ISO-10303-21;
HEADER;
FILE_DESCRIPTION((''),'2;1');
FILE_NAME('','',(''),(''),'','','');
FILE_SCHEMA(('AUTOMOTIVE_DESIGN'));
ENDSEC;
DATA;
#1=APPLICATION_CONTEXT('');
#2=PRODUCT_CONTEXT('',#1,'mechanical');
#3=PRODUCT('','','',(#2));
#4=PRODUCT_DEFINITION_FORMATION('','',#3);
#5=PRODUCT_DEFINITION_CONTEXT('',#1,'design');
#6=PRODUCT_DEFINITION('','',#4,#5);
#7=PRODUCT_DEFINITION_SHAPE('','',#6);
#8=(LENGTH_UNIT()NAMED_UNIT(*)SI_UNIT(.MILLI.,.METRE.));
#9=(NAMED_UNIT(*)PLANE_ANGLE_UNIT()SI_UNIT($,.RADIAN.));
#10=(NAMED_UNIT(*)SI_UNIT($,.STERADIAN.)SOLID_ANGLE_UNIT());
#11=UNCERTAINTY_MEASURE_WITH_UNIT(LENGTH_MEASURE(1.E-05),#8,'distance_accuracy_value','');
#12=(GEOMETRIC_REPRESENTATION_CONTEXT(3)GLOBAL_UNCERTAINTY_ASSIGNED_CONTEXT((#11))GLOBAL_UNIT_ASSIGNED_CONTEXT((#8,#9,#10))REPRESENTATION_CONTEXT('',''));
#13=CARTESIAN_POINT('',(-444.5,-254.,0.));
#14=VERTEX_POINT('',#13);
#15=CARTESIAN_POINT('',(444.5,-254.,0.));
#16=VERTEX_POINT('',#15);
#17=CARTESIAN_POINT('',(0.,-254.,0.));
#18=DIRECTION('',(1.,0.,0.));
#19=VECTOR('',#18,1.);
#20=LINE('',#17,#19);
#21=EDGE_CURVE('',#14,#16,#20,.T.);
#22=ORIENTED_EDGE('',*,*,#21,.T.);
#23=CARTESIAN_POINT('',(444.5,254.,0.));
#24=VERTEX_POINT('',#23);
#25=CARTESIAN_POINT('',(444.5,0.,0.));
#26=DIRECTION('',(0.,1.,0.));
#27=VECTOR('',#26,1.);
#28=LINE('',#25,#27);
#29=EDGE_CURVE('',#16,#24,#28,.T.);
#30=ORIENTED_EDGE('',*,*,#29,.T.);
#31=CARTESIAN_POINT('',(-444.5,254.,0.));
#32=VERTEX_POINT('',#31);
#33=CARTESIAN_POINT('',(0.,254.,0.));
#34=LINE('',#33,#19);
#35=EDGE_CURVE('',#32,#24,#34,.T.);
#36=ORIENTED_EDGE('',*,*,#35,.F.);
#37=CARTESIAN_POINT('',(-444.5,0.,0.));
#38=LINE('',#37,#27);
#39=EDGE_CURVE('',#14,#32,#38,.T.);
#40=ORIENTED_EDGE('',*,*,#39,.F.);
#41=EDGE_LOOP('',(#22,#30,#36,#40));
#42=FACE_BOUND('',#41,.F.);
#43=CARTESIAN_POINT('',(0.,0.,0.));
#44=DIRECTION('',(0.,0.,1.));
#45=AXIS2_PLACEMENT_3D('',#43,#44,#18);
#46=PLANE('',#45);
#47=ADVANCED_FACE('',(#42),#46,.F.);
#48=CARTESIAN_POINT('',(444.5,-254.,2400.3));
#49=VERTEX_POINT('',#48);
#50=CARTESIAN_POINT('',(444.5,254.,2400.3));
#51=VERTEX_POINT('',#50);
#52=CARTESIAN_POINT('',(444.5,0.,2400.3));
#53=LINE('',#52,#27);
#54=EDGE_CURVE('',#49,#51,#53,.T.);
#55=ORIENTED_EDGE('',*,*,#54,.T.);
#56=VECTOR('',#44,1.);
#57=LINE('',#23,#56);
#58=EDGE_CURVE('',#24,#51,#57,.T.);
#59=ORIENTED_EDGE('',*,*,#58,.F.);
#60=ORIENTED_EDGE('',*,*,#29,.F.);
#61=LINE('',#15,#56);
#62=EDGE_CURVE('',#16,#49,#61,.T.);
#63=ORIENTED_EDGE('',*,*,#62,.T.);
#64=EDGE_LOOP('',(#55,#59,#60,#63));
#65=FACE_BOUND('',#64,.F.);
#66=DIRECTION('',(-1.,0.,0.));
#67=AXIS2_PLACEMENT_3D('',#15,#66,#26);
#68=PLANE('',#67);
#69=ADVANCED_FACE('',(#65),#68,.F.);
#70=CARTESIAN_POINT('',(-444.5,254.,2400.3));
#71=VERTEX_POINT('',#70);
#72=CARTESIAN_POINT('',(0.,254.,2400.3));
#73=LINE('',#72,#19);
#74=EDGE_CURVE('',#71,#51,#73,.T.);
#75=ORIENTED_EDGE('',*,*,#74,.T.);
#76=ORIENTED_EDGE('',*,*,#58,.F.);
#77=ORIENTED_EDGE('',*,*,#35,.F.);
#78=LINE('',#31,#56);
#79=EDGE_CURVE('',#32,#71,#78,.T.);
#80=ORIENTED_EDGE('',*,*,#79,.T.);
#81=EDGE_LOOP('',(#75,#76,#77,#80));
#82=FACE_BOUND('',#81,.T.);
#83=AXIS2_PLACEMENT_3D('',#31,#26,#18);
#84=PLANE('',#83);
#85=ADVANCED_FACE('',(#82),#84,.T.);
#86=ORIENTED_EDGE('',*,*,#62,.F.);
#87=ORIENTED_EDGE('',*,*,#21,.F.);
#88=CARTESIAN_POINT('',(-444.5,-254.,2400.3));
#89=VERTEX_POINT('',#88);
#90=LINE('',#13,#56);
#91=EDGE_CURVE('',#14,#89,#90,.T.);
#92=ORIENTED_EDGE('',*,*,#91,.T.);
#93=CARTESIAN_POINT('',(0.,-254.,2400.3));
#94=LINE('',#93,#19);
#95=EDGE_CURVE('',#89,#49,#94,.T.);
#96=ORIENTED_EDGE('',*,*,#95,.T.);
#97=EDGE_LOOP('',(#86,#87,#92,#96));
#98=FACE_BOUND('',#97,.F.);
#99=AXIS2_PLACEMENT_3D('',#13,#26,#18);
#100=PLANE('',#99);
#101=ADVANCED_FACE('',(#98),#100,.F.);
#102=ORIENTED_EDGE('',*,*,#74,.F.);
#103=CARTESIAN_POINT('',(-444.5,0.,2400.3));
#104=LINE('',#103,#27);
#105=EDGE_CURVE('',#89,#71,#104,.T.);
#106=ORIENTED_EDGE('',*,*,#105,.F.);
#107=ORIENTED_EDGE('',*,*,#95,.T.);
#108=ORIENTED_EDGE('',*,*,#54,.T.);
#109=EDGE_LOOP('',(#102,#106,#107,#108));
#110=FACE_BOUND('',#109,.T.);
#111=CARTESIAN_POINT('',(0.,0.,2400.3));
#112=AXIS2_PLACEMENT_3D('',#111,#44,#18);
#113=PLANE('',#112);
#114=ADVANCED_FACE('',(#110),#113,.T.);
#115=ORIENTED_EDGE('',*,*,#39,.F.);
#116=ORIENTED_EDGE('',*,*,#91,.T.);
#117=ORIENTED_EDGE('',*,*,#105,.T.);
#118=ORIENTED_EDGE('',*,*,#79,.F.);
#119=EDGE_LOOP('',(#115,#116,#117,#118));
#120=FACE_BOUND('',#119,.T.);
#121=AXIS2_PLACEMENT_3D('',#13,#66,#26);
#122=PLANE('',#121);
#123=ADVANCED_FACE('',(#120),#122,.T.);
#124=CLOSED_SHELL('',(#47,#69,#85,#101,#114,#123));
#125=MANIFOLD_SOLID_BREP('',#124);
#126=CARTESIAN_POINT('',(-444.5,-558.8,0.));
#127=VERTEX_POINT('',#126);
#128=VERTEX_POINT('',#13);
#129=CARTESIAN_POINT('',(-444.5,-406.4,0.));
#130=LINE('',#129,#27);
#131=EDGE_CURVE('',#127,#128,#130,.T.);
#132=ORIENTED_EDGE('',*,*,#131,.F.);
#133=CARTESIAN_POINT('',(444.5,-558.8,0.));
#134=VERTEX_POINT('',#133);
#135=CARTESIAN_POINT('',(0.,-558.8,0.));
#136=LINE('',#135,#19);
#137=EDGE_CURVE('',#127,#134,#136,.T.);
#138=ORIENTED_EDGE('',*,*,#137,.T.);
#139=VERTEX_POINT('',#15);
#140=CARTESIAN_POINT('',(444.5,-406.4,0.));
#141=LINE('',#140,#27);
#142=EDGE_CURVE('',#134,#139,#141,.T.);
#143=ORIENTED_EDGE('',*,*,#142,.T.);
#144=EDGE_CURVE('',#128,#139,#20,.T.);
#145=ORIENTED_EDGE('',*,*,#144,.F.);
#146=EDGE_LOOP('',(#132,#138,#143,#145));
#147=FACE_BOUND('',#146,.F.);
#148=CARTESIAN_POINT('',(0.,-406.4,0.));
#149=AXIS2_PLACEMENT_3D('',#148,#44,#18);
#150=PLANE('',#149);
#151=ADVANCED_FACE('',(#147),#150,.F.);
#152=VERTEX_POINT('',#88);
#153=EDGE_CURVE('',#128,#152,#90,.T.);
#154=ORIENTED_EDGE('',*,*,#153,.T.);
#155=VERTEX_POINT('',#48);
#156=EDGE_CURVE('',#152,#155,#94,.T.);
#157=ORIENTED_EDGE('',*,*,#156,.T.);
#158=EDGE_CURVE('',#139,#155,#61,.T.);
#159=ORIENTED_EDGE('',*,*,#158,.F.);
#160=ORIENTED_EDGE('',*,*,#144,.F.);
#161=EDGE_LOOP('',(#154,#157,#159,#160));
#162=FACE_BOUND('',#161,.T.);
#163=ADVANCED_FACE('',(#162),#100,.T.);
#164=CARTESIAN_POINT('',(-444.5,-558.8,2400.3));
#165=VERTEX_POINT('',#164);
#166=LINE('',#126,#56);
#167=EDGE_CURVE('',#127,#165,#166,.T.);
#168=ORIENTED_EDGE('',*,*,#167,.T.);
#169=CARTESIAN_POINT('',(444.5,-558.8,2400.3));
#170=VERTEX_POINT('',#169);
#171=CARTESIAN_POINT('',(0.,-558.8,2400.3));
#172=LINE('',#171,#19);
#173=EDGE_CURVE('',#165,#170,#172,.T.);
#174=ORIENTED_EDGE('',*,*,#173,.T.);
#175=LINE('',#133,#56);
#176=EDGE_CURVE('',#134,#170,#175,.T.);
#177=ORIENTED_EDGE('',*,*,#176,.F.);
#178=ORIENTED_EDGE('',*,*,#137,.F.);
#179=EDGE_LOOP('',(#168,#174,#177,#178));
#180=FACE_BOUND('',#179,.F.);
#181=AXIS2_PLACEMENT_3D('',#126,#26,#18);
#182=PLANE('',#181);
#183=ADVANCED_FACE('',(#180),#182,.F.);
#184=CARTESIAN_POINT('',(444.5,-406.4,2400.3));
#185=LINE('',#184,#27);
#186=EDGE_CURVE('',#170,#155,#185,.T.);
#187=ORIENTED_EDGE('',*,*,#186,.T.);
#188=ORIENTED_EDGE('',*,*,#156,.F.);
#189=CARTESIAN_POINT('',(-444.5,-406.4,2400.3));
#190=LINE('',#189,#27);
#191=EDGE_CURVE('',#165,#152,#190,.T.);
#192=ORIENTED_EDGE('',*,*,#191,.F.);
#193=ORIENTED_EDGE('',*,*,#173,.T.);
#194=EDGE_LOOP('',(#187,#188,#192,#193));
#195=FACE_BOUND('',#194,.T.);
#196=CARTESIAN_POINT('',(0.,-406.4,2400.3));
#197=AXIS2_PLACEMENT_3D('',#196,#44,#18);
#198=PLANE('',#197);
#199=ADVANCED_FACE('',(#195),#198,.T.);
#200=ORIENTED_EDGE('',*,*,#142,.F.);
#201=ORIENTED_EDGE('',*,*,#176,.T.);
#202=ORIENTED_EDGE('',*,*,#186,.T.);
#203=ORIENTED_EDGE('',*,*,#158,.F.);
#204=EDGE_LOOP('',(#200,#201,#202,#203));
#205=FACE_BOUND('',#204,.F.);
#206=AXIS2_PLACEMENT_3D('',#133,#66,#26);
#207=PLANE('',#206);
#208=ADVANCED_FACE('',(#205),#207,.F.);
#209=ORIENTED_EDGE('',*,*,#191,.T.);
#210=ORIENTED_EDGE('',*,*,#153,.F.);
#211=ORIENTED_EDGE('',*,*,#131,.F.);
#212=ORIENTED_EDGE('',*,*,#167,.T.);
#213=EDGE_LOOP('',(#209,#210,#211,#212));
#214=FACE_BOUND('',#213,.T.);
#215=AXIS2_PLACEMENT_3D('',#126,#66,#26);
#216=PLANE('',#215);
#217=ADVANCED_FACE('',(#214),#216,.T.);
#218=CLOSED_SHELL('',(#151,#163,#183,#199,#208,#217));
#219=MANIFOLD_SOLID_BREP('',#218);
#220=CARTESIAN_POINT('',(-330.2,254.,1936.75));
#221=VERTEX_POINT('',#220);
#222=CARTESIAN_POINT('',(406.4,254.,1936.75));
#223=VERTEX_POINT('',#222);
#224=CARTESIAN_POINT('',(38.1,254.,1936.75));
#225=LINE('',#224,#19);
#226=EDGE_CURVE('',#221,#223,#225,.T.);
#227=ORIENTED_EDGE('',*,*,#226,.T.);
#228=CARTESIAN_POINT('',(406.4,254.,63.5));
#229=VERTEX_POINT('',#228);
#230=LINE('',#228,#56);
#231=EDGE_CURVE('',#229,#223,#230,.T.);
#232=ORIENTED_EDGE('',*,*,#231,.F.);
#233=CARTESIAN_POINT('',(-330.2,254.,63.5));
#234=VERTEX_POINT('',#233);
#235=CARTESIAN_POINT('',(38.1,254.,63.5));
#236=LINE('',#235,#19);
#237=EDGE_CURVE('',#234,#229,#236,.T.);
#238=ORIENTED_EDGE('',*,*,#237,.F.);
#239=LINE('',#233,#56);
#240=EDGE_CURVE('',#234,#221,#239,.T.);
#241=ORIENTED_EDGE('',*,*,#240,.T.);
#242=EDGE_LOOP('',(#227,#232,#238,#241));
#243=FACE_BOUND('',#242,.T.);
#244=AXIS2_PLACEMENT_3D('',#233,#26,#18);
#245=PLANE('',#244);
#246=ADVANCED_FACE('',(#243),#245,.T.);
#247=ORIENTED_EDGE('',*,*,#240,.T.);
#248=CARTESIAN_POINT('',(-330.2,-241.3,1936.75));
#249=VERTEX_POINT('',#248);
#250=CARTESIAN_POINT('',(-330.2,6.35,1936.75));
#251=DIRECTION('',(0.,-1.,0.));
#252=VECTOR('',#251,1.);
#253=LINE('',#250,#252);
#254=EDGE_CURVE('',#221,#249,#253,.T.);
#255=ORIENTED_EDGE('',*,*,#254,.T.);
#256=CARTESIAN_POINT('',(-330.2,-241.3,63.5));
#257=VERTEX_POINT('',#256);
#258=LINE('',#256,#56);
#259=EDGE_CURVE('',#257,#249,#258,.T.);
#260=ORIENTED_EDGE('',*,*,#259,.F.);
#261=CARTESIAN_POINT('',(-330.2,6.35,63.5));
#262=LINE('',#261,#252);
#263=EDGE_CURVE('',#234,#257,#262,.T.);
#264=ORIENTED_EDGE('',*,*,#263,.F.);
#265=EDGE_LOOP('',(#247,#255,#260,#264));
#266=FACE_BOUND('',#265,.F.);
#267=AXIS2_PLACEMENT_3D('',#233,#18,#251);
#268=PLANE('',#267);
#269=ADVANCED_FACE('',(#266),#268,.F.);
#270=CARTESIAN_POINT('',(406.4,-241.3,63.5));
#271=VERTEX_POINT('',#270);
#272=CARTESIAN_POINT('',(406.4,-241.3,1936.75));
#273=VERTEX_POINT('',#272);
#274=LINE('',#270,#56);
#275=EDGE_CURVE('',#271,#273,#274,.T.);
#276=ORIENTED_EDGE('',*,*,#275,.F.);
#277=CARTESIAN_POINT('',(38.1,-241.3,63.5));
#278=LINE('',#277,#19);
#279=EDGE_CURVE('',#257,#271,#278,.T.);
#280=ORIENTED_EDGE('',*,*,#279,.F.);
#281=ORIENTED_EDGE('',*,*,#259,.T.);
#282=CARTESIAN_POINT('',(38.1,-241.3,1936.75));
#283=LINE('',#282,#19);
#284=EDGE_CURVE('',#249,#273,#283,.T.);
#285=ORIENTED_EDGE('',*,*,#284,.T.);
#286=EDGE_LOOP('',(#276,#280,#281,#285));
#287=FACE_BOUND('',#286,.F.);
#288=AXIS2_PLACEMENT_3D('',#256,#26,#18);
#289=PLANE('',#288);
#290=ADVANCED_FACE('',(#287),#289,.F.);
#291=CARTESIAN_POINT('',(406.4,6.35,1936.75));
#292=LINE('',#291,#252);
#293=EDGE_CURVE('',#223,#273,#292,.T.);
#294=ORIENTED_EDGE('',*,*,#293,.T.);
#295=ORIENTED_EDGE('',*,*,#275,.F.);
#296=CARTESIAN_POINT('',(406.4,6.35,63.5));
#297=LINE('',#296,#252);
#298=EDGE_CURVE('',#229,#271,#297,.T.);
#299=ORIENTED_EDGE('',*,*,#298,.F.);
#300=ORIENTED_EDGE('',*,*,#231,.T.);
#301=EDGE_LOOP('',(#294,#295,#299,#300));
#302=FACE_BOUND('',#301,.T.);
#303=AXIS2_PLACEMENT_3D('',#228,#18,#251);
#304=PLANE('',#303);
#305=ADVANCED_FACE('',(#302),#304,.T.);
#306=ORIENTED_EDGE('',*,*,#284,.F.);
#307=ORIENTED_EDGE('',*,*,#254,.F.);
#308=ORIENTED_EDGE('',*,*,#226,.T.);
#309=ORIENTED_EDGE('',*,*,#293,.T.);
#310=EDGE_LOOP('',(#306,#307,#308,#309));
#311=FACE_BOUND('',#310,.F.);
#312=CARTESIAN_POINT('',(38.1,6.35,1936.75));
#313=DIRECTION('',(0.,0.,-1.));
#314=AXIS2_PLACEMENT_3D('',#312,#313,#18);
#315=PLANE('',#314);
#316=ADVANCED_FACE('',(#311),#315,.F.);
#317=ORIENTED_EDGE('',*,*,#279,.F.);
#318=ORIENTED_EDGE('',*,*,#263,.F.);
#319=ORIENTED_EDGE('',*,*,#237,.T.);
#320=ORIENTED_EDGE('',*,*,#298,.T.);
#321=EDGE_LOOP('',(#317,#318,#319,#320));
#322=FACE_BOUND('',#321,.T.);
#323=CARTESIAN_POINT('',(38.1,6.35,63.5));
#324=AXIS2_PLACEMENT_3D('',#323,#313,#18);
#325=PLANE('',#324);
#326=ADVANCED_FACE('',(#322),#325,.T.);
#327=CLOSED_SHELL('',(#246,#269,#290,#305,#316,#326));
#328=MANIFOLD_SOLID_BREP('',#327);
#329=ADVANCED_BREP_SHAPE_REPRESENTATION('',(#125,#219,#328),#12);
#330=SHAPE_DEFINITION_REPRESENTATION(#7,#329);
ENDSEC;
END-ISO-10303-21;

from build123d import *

# Parameters (mm, degrees)
F0_W     = 889
F0_H     = 508
F1_DEPTH = 2400.3
F2_W     = 889
F2_H     = 304.8
F3_DEPTH = 2400.3
F5_W     = 736.6
F5_H     = 495.3
F6_DEPTH = 1873.25


with BuildPart() as f1:
    # F0 (on Top) → F1 (new body)
    with BuildSketch(Plane.XY):
        Rectangle(F0_W, F0_H)
    extrude(amount=F1_DEPTH)


with BuildPart() as f3:
    # F2 (on Top) → F3 (new body)
    with BuildSketch(Plane.XY):
        with Locations((0, -406.4)):
            Rectangle(F2_W, F2_H)
    extrude(amount=F3_DEPTH)


with BuildPart() as f6:
    # F5 (on offset) → F6 (new body)
    with BuildSketch(Plane(origin=(0, 0, 63.5), x_dir=(1, 0, 0), z_dir=(0, 0, -1))):
        with Locations((38.1, -6.35)):
            Rectangle(F5_W, F5_H)
    extrude(amount=-F6_DEPTH)


solid = Compound([f1.part, f3.part, f6.part])
